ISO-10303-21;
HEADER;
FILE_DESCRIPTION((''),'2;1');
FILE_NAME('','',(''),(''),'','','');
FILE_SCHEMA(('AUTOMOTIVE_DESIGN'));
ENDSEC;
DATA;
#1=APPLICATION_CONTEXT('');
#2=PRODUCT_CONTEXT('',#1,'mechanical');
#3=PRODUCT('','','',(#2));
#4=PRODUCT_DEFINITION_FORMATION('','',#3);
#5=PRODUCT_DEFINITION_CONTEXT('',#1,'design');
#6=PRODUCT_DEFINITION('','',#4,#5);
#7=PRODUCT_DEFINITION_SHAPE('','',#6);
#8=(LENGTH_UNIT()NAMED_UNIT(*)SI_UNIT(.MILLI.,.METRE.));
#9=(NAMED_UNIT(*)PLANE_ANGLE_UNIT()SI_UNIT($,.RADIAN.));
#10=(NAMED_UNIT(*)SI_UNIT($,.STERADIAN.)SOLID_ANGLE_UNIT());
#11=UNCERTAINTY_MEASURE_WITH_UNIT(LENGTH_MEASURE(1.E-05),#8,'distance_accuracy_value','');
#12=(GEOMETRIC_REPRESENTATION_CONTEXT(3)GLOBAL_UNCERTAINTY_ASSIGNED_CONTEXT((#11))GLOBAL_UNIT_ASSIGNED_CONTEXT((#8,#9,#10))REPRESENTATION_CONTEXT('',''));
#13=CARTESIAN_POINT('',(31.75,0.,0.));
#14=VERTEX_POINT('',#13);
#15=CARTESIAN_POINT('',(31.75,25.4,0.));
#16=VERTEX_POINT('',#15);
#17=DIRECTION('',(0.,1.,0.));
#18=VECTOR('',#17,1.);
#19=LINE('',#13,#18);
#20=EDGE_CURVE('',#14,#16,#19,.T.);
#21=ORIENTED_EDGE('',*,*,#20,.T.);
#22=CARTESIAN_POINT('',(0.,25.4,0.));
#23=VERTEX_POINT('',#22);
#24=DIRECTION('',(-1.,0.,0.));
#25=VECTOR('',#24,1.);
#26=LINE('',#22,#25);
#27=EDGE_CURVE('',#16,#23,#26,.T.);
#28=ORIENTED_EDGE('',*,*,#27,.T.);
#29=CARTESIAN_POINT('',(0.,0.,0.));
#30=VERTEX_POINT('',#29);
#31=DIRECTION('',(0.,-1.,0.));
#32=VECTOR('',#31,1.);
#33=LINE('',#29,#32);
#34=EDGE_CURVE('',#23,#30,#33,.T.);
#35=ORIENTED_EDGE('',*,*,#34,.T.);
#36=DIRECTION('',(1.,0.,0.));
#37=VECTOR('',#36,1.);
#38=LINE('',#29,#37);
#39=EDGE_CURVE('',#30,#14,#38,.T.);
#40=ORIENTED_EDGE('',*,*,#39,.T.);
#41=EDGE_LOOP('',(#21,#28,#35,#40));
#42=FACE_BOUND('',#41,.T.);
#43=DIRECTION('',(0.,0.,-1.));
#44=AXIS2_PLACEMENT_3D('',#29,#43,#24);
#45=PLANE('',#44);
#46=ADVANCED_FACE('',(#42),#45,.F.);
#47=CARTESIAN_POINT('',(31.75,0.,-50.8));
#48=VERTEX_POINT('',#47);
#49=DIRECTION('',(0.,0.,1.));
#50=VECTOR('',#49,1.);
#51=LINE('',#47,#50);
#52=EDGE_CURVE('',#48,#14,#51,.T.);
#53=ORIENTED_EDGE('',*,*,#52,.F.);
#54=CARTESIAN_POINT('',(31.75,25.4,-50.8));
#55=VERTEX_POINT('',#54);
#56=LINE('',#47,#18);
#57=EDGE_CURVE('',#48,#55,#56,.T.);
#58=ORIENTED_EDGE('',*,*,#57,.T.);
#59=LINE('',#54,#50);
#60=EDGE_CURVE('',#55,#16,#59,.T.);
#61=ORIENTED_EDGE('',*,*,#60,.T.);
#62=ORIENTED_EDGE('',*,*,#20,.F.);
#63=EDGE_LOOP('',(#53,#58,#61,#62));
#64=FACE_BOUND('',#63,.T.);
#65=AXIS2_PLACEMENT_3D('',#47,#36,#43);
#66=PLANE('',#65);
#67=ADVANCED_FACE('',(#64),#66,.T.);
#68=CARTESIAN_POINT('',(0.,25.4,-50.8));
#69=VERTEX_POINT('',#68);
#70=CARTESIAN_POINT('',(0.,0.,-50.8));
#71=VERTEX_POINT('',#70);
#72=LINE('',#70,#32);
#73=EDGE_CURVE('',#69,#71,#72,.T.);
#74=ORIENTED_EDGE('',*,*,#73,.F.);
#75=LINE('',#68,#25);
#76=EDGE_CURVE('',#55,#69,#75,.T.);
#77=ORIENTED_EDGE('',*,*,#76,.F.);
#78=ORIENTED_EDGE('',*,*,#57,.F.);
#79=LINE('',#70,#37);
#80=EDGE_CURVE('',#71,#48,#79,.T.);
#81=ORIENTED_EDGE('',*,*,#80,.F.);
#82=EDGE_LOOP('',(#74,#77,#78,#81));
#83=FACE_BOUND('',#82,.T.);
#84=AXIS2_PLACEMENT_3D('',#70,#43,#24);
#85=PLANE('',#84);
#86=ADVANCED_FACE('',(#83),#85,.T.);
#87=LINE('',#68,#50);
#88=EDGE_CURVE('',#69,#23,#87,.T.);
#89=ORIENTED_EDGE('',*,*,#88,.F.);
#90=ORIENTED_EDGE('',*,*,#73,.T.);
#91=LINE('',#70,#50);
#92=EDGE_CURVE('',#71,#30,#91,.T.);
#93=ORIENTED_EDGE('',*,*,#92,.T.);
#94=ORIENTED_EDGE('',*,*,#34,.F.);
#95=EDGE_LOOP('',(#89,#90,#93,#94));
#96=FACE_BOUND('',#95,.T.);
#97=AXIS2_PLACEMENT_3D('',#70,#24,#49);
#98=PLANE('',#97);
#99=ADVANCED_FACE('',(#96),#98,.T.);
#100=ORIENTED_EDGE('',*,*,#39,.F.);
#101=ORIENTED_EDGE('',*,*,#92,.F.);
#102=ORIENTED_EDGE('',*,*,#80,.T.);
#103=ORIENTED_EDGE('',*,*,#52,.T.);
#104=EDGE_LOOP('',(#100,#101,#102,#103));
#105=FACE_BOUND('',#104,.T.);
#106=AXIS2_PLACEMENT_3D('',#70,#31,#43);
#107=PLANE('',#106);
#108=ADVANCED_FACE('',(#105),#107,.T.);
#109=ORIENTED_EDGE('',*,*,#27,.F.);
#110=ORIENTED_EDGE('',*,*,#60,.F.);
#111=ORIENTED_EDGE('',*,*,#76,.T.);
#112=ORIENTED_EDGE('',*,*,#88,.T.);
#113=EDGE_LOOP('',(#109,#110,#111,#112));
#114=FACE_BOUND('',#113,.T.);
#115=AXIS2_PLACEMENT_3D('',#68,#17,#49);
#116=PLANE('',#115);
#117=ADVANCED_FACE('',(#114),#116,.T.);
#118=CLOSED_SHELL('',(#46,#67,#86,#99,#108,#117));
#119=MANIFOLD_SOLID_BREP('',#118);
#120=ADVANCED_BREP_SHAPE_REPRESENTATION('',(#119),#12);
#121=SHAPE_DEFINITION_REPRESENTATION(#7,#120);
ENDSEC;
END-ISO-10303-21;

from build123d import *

# Parameters (mm, degrees)
SKETCH1_W  = 31.75
SKETCH1_H  = 25.4
BASE_DEPTH = 50.8


with BuildPart() as part:
    # Sketch1 → base (new body)
    with BuildSketch(Plane.XY):
        with Locations((15.875, 12.7)):
            Rectangle(SKETCH1_W, SKETCH1_H)
    extrude(amount=-BASE_DEPTH)


solid = part.part
